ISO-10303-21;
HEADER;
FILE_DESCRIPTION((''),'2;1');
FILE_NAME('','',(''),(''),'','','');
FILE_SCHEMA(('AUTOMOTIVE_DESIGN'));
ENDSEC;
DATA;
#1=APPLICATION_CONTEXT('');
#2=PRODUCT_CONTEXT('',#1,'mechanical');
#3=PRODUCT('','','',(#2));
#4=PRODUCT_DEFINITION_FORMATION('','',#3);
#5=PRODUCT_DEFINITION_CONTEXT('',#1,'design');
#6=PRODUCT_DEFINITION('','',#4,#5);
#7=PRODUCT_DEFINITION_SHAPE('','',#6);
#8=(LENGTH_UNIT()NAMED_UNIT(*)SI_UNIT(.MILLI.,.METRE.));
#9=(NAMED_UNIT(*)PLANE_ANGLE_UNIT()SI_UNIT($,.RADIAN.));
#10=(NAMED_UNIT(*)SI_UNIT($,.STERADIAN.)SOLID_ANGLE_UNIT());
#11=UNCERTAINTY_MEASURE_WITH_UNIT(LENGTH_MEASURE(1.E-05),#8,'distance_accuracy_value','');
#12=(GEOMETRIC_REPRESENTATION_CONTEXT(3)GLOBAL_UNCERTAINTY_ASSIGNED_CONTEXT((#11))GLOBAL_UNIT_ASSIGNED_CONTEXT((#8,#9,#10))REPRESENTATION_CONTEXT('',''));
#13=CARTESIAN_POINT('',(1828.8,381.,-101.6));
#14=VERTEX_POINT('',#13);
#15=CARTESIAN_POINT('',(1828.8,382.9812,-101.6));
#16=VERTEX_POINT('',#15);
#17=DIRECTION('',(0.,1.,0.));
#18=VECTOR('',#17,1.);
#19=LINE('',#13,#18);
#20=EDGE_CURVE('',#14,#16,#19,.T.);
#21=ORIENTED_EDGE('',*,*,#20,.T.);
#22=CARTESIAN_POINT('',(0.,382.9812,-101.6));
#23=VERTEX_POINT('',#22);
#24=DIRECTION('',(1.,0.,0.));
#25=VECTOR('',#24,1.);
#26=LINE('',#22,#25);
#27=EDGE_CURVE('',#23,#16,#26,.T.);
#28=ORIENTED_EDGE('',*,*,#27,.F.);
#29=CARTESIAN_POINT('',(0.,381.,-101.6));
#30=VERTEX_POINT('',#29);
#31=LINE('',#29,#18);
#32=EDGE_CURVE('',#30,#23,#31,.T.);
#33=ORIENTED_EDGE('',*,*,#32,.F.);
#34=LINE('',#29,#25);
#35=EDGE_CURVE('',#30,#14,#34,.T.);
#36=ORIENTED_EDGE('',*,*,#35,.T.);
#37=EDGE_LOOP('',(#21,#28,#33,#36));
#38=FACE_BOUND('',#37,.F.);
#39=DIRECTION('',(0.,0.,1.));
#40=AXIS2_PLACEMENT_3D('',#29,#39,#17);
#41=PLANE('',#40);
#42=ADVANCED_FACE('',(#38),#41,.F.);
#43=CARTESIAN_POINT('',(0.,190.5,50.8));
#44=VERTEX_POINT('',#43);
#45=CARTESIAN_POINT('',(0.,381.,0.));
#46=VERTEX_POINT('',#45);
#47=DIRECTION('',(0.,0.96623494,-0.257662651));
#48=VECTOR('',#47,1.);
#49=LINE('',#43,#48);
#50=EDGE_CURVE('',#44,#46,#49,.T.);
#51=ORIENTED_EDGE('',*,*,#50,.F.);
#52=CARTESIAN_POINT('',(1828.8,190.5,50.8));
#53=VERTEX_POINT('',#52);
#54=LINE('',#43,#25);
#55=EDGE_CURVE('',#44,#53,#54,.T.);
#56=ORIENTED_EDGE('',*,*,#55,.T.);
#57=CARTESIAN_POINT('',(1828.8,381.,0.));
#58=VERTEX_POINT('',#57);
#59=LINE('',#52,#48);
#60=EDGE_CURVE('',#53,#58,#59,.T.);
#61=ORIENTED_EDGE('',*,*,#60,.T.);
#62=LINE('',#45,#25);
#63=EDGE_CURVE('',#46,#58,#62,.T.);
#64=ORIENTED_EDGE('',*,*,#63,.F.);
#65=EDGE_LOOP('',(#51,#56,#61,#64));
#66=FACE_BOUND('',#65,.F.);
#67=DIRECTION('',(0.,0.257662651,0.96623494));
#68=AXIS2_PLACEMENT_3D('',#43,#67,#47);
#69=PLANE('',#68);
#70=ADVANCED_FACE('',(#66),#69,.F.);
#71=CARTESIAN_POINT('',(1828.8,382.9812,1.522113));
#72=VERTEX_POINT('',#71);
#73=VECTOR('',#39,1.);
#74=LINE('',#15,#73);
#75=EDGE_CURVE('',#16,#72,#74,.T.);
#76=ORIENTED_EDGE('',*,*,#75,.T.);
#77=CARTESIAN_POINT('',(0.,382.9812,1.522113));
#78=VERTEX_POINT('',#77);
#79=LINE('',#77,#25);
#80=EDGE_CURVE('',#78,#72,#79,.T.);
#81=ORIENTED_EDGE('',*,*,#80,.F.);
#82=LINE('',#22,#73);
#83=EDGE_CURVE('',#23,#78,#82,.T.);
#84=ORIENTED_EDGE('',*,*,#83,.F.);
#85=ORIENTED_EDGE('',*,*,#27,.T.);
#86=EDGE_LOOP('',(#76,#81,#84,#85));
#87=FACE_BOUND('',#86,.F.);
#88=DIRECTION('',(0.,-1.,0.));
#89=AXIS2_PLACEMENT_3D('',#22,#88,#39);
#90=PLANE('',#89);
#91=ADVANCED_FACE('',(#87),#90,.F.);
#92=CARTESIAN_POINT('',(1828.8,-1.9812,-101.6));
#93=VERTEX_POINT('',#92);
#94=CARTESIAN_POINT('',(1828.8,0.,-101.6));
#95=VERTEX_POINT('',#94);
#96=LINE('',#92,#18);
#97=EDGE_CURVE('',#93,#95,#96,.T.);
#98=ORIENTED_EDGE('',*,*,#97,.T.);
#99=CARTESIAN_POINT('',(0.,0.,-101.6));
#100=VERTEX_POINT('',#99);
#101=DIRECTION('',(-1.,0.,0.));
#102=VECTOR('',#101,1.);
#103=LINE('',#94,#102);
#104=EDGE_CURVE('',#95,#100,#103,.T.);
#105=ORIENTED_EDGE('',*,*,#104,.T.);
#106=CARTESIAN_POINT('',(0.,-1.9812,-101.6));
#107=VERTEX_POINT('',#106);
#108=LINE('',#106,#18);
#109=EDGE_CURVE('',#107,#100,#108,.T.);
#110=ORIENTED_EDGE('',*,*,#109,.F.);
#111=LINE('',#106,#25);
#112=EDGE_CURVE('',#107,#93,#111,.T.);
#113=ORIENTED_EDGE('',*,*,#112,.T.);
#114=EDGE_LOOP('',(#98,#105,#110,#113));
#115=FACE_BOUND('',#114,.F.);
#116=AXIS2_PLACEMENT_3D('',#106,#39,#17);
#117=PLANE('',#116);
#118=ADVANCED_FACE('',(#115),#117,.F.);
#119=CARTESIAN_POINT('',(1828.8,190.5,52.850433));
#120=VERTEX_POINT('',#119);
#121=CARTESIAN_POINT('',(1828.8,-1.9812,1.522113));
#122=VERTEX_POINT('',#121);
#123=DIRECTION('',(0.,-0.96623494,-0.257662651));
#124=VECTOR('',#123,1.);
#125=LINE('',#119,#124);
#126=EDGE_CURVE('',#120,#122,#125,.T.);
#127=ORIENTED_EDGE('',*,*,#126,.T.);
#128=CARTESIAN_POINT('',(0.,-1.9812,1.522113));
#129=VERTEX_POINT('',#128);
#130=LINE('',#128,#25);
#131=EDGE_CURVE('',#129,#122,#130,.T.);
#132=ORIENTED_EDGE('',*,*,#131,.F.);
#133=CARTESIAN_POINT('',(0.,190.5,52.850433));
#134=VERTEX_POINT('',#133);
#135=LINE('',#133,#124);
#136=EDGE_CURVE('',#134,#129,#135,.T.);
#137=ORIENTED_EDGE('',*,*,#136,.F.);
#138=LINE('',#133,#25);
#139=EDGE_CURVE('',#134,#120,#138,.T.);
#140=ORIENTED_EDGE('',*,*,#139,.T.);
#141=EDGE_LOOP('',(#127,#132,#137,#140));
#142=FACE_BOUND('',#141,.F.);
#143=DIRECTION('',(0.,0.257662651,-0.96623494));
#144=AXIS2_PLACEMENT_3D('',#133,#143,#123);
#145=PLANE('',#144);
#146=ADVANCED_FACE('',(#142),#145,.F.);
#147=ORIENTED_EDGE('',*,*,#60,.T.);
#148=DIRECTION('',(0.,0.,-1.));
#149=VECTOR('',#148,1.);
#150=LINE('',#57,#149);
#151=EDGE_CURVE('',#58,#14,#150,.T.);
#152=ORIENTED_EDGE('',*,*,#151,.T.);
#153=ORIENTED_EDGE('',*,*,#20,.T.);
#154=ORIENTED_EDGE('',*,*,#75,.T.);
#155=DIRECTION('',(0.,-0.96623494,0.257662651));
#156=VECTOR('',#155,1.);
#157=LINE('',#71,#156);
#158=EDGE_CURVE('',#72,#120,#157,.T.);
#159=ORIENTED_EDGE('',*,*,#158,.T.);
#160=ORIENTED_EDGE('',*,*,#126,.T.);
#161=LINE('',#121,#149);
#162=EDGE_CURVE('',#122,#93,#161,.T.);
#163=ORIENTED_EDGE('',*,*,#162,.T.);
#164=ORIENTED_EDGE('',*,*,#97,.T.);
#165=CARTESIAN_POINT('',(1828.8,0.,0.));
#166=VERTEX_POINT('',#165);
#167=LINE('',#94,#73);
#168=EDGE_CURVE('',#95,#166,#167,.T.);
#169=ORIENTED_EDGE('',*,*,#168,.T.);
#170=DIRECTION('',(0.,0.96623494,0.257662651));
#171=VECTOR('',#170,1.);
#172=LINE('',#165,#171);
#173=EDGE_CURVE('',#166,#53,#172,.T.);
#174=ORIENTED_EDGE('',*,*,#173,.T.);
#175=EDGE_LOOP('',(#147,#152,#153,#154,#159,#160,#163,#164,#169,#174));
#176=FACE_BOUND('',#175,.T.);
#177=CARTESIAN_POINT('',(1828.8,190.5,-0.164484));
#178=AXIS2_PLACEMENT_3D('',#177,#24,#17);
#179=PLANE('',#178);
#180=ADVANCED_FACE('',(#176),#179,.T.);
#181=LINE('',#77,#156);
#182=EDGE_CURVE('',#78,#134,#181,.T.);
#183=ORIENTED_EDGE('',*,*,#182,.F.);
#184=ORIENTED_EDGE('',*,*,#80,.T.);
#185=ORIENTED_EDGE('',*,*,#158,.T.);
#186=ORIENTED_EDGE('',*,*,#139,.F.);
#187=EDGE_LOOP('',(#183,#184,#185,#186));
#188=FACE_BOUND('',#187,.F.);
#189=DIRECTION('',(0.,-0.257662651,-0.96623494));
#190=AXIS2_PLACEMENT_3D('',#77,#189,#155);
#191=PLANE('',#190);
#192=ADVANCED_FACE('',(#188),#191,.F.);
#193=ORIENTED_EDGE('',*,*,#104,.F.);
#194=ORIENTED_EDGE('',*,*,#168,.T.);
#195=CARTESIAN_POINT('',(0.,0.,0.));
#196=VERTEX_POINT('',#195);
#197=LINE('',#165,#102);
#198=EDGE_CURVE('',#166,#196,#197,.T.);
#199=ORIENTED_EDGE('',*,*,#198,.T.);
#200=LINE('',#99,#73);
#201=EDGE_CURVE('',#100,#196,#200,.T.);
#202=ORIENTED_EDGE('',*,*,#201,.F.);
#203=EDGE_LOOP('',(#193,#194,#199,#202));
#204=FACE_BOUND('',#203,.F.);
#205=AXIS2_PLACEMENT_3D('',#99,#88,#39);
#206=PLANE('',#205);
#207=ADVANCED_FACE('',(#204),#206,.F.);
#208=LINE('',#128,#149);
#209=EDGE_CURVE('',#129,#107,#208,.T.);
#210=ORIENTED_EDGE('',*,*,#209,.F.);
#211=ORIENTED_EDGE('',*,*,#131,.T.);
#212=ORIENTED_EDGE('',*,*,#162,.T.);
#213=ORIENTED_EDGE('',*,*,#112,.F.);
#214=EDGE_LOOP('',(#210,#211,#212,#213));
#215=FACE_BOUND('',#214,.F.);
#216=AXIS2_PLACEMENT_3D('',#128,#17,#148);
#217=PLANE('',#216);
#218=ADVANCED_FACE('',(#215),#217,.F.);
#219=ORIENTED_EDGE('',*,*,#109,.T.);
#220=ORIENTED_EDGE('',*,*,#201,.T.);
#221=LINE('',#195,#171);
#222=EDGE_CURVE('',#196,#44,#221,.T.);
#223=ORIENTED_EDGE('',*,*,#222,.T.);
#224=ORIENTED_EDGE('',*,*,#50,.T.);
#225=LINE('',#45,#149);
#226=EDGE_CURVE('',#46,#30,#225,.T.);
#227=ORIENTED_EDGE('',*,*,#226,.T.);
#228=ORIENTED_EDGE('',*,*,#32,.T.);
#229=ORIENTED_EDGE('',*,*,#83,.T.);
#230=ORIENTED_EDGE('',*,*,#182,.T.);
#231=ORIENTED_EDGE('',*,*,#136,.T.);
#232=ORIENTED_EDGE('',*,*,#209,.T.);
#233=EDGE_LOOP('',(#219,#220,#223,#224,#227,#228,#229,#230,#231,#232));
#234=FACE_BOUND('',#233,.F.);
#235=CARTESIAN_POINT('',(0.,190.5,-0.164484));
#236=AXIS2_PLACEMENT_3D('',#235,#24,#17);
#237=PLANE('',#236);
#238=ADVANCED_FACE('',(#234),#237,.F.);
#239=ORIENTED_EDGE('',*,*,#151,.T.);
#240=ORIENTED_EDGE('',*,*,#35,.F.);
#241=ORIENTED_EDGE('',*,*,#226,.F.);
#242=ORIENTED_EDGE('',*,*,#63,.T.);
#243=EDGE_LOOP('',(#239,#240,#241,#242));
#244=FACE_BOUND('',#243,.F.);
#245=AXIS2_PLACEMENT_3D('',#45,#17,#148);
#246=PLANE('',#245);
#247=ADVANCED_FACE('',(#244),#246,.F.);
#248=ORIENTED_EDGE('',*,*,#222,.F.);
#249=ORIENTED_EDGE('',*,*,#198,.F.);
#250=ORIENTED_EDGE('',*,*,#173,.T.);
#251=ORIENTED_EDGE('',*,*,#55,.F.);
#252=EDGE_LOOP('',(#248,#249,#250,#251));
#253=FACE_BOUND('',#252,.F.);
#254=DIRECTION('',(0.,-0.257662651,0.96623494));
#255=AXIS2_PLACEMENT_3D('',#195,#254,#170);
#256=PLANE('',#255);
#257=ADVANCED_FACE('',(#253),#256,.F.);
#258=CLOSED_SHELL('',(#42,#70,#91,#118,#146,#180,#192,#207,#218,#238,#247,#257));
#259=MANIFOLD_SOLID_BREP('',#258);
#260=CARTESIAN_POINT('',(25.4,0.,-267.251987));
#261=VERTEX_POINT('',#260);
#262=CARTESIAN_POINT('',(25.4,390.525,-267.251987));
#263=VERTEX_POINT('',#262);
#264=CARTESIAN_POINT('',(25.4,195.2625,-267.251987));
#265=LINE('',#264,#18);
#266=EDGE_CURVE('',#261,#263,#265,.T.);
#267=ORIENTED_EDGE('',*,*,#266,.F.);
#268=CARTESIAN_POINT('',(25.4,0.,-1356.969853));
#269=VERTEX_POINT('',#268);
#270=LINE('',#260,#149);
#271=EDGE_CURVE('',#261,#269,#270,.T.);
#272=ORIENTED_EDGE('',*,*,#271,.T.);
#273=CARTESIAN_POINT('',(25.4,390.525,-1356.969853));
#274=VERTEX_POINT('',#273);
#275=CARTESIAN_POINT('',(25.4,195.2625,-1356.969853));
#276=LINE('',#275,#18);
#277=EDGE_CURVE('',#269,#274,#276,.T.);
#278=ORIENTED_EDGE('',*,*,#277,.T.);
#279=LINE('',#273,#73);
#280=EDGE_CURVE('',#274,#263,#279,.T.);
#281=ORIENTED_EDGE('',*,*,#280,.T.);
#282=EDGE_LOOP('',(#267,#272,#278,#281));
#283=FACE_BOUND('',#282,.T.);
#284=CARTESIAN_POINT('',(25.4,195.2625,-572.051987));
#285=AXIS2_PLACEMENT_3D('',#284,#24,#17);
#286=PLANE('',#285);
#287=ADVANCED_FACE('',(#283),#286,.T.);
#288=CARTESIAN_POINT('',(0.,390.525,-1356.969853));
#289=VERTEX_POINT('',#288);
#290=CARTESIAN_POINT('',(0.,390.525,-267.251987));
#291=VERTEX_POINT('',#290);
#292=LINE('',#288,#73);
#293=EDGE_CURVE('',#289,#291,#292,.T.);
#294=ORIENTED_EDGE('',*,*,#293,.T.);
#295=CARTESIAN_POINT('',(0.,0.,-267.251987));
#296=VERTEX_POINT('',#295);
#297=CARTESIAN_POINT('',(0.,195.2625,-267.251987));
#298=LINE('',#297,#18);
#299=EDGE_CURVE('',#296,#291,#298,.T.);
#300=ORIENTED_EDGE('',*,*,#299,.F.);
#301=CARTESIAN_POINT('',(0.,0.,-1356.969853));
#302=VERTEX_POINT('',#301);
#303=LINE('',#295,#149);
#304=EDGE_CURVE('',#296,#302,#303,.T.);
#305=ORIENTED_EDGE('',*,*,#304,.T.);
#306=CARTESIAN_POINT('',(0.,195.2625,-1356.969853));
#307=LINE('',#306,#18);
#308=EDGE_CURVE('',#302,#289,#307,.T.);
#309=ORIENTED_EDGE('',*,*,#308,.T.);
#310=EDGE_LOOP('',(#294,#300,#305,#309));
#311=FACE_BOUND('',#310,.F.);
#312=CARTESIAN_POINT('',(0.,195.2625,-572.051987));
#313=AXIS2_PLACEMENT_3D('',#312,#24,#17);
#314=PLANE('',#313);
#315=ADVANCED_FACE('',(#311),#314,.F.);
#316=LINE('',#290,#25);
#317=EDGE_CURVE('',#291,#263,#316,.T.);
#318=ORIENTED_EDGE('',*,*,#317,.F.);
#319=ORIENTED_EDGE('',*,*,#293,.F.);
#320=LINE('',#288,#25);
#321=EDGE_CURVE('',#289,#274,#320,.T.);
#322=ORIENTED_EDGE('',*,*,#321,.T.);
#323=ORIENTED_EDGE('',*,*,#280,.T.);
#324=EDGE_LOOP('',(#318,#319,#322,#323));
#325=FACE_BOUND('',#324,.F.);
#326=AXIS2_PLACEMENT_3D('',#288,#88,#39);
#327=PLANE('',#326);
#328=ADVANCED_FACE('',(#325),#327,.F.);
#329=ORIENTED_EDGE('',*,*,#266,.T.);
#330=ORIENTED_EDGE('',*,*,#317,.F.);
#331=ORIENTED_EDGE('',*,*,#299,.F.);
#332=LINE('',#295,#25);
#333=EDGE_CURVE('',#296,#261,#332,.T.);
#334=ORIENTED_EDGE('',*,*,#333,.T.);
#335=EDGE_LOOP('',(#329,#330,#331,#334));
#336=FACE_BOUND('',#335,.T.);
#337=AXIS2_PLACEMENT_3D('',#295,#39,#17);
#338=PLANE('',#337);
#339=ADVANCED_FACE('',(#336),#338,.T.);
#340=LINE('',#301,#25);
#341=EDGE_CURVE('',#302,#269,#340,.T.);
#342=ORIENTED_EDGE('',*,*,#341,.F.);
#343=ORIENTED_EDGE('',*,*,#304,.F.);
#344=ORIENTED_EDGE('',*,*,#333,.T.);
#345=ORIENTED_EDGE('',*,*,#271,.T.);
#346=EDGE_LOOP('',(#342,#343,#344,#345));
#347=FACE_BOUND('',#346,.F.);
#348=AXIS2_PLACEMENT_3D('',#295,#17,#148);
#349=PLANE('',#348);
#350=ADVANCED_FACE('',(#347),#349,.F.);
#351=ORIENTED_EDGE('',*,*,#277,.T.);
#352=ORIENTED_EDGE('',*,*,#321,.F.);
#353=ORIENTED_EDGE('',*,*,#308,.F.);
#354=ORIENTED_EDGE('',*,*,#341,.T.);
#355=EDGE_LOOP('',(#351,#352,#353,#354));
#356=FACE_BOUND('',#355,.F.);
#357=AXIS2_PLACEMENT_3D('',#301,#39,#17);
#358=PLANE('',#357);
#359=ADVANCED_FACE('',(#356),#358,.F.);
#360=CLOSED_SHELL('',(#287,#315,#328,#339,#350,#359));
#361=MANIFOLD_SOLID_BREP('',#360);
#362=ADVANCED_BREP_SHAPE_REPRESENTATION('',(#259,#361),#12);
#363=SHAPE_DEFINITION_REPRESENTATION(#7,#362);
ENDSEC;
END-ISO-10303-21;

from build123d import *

# Parameters (mm, degrees)
F1_DEPTH = 1828.8
F0_W     = 390.525
F0_H     = 609.6
F0_H_2   = 480.117866
F2_DEPTH = 25.4


with BuildPart() as f1:
    # F0 (on Right) → F1 (new body)
    with BuildSketch(Plane.YZ):
        Polygon((0, 0), (190.5, 50.8), (381, 0), (381, -101.6), (382.9812, -101.6), (382.9812, 1.522113), (190.5, 52.850433), (-1.9812, 1.522113), (-1.9812, -101.6), (0, -101.6), align=None)
    extrude(amount=F1_DEPTH)

    # F0 (on Right) → F2 (join)
    with BuildSketch(Plane.YZ):
        Polygon((0, 0), (190.5, 50.8), (381, 0), (381, -101.6), (382.9812, -101.6), (382.9812, 1.522113), (190.5, 52.850433), (-1.9812, 1.522113), (-1.9812, -101.6), (0, -101.6), align=None)
        with Locations((195.2625, -572.051987)):
            Rectangle(F0_W, F0_H)
        with Locations((195.2625, -1116.91092)):
            Rectangle(F0_W, F0_H_2)
    extrude(amount=F2_DEPTH)


solid = f1.part
